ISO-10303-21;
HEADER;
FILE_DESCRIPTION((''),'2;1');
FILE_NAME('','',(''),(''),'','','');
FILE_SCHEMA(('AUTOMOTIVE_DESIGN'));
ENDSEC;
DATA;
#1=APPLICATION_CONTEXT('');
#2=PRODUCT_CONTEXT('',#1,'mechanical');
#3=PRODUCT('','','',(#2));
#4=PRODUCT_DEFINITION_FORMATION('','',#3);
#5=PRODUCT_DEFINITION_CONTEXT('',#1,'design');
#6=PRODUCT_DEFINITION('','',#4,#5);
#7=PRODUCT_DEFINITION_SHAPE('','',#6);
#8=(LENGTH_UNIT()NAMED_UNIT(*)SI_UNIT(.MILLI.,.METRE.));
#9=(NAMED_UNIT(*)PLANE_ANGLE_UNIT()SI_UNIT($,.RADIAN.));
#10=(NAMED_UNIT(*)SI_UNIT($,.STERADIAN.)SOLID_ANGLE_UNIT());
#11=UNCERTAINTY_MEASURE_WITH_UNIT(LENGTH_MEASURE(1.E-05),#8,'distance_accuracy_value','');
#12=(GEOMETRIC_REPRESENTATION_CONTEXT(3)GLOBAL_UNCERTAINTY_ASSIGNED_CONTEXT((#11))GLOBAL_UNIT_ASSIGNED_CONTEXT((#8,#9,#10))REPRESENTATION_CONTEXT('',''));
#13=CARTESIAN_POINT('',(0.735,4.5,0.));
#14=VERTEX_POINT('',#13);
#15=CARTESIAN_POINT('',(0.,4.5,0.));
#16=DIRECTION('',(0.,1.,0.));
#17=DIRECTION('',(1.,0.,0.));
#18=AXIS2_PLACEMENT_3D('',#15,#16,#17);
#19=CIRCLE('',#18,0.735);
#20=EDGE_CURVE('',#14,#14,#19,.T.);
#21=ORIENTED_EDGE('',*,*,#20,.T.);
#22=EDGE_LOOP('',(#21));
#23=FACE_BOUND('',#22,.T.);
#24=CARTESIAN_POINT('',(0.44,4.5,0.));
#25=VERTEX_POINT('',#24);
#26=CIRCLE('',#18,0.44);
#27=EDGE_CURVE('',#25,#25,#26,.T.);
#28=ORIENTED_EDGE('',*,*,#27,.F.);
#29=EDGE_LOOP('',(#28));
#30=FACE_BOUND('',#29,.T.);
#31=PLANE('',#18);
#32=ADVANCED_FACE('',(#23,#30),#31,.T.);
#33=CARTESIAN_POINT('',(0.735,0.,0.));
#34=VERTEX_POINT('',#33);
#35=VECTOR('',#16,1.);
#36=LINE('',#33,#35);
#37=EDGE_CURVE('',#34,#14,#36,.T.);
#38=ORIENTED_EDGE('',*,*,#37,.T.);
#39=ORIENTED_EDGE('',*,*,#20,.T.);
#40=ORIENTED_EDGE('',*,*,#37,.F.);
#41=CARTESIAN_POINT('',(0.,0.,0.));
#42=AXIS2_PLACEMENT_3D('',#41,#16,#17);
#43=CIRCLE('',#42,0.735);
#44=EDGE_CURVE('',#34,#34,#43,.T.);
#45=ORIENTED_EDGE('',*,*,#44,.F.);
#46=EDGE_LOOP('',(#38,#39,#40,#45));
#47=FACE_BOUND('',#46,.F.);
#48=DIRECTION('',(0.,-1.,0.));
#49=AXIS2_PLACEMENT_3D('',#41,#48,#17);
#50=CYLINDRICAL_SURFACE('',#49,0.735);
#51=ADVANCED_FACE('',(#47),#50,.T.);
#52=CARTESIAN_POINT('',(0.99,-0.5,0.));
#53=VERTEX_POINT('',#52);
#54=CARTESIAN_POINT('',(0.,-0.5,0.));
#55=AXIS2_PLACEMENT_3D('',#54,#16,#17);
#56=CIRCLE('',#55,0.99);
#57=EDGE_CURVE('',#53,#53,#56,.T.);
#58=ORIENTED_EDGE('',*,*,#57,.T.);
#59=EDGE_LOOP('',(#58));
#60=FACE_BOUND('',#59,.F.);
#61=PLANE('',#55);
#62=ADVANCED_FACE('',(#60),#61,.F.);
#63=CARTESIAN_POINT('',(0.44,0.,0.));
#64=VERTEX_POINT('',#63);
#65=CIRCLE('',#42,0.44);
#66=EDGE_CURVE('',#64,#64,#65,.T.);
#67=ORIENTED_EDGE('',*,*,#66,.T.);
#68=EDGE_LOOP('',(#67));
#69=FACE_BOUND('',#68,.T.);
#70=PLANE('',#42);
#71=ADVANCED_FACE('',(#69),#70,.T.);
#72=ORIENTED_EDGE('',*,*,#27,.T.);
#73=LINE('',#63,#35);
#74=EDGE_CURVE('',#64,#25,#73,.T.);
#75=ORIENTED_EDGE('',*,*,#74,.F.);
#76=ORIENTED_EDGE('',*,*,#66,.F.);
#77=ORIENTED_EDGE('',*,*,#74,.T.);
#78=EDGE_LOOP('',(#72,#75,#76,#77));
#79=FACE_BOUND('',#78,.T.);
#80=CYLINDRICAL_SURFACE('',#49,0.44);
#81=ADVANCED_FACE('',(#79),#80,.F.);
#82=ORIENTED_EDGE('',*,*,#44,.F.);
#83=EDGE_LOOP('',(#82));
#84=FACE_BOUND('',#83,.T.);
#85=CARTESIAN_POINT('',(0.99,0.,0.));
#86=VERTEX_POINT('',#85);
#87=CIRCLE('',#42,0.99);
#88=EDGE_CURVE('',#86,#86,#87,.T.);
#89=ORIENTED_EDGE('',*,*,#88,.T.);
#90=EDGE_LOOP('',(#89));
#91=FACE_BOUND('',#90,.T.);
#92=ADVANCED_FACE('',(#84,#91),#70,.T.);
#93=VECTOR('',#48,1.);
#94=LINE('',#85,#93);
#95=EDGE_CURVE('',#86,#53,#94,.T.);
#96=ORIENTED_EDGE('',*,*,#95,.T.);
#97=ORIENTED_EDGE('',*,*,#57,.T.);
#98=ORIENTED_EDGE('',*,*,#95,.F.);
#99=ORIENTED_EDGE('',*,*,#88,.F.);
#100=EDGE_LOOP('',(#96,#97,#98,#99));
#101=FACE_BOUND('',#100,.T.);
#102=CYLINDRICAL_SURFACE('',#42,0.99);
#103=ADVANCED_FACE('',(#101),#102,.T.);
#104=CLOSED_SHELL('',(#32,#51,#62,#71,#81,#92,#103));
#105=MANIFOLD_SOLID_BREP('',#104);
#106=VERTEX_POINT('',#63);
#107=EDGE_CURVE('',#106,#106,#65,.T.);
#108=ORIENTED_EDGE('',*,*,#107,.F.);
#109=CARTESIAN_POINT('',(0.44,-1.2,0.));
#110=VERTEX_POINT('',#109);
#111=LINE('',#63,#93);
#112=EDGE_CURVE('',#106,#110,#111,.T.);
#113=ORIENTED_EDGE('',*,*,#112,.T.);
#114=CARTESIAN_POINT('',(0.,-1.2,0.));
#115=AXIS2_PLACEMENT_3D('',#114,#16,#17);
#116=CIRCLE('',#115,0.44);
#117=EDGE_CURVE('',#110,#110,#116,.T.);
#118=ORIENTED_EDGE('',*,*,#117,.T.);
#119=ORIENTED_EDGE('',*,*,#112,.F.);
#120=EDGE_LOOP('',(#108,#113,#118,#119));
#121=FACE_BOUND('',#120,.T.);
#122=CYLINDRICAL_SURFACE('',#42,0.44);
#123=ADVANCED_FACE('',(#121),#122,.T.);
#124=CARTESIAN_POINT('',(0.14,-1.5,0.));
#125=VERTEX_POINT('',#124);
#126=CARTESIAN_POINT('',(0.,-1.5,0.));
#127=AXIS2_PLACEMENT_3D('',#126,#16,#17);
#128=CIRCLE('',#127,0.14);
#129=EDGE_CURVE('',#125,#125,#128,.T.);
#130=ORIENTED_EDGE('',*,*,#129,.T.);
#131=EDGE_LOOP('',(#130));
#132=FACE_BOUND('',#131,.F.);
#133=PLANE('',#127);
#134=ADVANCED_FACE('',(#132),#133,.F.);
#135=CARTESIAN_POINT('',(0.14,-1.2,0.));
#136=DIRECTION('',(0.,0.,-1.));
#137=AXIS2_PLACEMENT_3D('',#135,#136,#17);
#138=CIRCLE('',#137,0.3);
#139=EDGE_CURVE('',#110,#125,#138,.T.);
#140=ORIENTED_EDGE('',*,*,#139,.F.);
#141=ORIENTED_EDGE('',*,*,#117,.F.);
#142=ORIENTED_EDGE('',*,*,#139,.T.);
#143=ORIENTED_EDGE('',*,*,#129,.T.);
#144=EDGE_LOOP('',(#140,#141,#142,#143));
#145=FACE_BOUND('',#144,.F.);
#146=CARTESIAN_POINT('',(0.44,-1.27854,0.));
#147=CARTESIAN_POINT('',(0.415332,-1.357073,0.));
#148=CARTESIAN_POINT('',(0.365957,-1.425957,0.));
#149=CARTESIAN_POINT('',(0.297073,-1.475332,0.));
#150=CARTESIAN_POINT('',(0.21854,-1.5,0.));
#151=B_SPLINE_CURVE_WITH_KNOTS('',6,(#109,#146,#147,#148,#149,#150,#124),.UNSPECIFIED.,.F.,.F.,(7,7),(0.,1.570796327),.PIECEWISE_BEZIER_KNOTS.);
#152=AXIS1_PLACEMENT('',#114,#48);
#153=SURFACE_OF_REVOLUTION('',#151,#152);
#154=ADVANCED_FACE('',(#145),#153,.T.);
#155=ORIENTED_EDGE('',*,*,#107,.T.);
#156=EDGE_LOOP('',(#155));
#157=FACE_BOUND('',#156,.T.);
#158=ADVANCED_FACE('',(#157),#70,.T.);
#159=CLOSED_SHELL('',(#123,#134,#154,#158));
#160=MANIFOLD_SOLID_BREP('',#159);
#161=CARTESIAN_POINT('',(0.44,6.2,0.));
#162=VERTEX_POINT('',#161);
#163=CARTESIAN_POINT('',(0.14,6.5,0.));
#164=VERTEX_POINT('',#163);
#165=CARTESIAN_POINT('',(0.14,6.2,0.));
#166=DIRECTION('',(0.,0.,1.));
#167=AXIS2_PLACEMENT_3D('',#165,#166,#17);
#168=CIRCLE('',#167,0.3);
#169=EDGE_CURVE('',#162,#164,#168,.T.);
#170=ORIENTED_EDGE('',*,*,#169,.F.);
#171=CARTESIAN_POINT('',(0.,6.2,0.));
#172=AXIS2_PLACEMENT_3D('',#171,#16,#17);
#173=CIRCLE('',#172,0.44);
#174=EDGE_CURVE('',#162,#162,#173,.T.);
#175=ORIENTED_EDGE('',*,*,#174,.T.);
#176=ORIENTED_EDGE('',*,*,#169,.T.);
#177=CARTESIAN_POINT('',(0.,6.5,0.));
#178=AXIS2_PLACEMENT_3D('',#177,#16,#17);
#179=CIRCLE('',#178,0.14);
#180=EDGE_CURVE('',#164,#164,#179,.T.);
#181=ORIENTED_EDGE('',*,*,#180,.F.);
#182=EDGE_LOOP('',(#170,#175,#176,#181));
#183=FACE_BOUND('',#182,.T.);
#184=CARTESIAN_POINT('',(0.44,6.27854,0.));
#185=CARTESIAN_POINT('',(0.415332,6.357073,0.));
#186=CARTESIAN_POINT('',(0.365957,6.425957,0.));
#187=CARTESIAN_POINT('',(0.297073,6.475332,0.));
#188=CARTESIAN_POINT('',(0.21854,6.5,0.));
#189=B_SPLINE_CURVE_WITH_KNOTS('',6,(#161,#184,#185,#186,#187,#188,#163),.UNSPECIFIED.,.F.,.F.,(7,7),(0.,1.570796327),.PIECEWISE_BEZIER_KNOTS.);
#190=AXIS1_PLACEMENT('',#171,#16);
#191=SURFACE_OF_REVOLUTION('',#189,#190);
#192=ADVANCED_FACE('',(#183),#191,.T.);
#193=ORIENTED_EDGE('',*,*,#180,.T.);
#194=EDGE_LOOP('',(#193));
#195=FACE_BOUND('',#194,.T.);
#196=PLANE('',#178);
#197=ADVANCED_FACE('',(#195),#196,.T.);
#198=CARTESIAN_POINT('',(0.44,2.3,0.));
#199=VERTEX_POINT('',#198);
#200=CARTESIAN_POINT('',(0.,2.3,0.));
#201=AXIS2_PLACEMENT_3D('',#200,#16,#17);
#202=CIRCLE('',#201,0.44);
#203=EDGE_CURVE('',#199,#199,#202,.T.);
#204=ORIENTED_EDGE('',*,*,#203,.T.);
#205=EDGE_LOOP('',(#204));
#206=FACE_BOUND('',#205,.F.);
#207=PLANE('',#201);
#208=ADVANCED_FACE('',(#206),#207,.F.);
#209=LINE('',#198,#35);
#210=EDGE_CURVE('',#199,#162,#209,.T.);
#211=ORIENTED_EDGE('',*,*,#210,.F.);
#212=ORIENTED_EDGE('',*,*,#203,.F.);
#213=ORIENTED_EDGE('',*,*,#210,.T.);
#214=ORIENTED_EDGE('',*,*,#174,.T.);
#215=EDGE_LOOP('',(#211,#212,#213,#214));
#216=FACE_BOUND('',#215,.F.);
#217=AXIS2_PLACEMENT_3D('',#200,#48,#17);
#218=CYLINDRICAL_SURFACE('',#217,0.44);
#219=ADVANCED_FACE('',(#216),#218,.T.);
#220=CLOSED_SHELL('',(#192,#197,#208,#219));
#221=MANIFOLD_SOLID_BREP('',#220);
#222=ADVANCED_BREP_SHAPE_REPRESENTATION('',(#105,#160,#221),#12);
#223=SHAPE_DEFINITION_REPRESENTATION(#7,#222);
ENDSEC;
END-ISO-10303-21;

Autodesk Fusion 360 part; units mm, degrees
sketch "Skizze1" plane through (0, 0, 0) normal (0, 1, 0) x (1, 0, 0)
  circle A0 centre (0, 0) radius 0.99
  circle A1 centre (0, 0) radius 0.44
  circle A2 centre (0, 0) radius 0.735
  dimension "d1" = 1.98
  dimension "d2" = 0.88
  dimension "d3" = 1.47
extrude "Extrusion1" add sketch "Skizze1" against normal blind 0.5 contours A0 | A1 | A2 makes body 1
extrude "Extrusion2" add sketch "Skizze1" along normal blind 4.5 contours A2 bodies 1
extrude "Extrusion3" add sketch "Skizze1" against normal blind 1.5 separate body contours A1 makes body 2
extrude "Extrusion4" add sketch "Skizze1" along normal blind 6.5 and the other way blind -2.3 separate body contours A1 makes body 3
fillet "Abrundung1" radius 0.3 1 edges at (-0.4102, 6.5, 0.1591) on bodies 3
fillet "Abrundung2" radius 0.3 1 edges at (-0.4102, -1.5, -0.1591) on bodies 2
equation "d6 = 5 mm - 0.5 mm"
